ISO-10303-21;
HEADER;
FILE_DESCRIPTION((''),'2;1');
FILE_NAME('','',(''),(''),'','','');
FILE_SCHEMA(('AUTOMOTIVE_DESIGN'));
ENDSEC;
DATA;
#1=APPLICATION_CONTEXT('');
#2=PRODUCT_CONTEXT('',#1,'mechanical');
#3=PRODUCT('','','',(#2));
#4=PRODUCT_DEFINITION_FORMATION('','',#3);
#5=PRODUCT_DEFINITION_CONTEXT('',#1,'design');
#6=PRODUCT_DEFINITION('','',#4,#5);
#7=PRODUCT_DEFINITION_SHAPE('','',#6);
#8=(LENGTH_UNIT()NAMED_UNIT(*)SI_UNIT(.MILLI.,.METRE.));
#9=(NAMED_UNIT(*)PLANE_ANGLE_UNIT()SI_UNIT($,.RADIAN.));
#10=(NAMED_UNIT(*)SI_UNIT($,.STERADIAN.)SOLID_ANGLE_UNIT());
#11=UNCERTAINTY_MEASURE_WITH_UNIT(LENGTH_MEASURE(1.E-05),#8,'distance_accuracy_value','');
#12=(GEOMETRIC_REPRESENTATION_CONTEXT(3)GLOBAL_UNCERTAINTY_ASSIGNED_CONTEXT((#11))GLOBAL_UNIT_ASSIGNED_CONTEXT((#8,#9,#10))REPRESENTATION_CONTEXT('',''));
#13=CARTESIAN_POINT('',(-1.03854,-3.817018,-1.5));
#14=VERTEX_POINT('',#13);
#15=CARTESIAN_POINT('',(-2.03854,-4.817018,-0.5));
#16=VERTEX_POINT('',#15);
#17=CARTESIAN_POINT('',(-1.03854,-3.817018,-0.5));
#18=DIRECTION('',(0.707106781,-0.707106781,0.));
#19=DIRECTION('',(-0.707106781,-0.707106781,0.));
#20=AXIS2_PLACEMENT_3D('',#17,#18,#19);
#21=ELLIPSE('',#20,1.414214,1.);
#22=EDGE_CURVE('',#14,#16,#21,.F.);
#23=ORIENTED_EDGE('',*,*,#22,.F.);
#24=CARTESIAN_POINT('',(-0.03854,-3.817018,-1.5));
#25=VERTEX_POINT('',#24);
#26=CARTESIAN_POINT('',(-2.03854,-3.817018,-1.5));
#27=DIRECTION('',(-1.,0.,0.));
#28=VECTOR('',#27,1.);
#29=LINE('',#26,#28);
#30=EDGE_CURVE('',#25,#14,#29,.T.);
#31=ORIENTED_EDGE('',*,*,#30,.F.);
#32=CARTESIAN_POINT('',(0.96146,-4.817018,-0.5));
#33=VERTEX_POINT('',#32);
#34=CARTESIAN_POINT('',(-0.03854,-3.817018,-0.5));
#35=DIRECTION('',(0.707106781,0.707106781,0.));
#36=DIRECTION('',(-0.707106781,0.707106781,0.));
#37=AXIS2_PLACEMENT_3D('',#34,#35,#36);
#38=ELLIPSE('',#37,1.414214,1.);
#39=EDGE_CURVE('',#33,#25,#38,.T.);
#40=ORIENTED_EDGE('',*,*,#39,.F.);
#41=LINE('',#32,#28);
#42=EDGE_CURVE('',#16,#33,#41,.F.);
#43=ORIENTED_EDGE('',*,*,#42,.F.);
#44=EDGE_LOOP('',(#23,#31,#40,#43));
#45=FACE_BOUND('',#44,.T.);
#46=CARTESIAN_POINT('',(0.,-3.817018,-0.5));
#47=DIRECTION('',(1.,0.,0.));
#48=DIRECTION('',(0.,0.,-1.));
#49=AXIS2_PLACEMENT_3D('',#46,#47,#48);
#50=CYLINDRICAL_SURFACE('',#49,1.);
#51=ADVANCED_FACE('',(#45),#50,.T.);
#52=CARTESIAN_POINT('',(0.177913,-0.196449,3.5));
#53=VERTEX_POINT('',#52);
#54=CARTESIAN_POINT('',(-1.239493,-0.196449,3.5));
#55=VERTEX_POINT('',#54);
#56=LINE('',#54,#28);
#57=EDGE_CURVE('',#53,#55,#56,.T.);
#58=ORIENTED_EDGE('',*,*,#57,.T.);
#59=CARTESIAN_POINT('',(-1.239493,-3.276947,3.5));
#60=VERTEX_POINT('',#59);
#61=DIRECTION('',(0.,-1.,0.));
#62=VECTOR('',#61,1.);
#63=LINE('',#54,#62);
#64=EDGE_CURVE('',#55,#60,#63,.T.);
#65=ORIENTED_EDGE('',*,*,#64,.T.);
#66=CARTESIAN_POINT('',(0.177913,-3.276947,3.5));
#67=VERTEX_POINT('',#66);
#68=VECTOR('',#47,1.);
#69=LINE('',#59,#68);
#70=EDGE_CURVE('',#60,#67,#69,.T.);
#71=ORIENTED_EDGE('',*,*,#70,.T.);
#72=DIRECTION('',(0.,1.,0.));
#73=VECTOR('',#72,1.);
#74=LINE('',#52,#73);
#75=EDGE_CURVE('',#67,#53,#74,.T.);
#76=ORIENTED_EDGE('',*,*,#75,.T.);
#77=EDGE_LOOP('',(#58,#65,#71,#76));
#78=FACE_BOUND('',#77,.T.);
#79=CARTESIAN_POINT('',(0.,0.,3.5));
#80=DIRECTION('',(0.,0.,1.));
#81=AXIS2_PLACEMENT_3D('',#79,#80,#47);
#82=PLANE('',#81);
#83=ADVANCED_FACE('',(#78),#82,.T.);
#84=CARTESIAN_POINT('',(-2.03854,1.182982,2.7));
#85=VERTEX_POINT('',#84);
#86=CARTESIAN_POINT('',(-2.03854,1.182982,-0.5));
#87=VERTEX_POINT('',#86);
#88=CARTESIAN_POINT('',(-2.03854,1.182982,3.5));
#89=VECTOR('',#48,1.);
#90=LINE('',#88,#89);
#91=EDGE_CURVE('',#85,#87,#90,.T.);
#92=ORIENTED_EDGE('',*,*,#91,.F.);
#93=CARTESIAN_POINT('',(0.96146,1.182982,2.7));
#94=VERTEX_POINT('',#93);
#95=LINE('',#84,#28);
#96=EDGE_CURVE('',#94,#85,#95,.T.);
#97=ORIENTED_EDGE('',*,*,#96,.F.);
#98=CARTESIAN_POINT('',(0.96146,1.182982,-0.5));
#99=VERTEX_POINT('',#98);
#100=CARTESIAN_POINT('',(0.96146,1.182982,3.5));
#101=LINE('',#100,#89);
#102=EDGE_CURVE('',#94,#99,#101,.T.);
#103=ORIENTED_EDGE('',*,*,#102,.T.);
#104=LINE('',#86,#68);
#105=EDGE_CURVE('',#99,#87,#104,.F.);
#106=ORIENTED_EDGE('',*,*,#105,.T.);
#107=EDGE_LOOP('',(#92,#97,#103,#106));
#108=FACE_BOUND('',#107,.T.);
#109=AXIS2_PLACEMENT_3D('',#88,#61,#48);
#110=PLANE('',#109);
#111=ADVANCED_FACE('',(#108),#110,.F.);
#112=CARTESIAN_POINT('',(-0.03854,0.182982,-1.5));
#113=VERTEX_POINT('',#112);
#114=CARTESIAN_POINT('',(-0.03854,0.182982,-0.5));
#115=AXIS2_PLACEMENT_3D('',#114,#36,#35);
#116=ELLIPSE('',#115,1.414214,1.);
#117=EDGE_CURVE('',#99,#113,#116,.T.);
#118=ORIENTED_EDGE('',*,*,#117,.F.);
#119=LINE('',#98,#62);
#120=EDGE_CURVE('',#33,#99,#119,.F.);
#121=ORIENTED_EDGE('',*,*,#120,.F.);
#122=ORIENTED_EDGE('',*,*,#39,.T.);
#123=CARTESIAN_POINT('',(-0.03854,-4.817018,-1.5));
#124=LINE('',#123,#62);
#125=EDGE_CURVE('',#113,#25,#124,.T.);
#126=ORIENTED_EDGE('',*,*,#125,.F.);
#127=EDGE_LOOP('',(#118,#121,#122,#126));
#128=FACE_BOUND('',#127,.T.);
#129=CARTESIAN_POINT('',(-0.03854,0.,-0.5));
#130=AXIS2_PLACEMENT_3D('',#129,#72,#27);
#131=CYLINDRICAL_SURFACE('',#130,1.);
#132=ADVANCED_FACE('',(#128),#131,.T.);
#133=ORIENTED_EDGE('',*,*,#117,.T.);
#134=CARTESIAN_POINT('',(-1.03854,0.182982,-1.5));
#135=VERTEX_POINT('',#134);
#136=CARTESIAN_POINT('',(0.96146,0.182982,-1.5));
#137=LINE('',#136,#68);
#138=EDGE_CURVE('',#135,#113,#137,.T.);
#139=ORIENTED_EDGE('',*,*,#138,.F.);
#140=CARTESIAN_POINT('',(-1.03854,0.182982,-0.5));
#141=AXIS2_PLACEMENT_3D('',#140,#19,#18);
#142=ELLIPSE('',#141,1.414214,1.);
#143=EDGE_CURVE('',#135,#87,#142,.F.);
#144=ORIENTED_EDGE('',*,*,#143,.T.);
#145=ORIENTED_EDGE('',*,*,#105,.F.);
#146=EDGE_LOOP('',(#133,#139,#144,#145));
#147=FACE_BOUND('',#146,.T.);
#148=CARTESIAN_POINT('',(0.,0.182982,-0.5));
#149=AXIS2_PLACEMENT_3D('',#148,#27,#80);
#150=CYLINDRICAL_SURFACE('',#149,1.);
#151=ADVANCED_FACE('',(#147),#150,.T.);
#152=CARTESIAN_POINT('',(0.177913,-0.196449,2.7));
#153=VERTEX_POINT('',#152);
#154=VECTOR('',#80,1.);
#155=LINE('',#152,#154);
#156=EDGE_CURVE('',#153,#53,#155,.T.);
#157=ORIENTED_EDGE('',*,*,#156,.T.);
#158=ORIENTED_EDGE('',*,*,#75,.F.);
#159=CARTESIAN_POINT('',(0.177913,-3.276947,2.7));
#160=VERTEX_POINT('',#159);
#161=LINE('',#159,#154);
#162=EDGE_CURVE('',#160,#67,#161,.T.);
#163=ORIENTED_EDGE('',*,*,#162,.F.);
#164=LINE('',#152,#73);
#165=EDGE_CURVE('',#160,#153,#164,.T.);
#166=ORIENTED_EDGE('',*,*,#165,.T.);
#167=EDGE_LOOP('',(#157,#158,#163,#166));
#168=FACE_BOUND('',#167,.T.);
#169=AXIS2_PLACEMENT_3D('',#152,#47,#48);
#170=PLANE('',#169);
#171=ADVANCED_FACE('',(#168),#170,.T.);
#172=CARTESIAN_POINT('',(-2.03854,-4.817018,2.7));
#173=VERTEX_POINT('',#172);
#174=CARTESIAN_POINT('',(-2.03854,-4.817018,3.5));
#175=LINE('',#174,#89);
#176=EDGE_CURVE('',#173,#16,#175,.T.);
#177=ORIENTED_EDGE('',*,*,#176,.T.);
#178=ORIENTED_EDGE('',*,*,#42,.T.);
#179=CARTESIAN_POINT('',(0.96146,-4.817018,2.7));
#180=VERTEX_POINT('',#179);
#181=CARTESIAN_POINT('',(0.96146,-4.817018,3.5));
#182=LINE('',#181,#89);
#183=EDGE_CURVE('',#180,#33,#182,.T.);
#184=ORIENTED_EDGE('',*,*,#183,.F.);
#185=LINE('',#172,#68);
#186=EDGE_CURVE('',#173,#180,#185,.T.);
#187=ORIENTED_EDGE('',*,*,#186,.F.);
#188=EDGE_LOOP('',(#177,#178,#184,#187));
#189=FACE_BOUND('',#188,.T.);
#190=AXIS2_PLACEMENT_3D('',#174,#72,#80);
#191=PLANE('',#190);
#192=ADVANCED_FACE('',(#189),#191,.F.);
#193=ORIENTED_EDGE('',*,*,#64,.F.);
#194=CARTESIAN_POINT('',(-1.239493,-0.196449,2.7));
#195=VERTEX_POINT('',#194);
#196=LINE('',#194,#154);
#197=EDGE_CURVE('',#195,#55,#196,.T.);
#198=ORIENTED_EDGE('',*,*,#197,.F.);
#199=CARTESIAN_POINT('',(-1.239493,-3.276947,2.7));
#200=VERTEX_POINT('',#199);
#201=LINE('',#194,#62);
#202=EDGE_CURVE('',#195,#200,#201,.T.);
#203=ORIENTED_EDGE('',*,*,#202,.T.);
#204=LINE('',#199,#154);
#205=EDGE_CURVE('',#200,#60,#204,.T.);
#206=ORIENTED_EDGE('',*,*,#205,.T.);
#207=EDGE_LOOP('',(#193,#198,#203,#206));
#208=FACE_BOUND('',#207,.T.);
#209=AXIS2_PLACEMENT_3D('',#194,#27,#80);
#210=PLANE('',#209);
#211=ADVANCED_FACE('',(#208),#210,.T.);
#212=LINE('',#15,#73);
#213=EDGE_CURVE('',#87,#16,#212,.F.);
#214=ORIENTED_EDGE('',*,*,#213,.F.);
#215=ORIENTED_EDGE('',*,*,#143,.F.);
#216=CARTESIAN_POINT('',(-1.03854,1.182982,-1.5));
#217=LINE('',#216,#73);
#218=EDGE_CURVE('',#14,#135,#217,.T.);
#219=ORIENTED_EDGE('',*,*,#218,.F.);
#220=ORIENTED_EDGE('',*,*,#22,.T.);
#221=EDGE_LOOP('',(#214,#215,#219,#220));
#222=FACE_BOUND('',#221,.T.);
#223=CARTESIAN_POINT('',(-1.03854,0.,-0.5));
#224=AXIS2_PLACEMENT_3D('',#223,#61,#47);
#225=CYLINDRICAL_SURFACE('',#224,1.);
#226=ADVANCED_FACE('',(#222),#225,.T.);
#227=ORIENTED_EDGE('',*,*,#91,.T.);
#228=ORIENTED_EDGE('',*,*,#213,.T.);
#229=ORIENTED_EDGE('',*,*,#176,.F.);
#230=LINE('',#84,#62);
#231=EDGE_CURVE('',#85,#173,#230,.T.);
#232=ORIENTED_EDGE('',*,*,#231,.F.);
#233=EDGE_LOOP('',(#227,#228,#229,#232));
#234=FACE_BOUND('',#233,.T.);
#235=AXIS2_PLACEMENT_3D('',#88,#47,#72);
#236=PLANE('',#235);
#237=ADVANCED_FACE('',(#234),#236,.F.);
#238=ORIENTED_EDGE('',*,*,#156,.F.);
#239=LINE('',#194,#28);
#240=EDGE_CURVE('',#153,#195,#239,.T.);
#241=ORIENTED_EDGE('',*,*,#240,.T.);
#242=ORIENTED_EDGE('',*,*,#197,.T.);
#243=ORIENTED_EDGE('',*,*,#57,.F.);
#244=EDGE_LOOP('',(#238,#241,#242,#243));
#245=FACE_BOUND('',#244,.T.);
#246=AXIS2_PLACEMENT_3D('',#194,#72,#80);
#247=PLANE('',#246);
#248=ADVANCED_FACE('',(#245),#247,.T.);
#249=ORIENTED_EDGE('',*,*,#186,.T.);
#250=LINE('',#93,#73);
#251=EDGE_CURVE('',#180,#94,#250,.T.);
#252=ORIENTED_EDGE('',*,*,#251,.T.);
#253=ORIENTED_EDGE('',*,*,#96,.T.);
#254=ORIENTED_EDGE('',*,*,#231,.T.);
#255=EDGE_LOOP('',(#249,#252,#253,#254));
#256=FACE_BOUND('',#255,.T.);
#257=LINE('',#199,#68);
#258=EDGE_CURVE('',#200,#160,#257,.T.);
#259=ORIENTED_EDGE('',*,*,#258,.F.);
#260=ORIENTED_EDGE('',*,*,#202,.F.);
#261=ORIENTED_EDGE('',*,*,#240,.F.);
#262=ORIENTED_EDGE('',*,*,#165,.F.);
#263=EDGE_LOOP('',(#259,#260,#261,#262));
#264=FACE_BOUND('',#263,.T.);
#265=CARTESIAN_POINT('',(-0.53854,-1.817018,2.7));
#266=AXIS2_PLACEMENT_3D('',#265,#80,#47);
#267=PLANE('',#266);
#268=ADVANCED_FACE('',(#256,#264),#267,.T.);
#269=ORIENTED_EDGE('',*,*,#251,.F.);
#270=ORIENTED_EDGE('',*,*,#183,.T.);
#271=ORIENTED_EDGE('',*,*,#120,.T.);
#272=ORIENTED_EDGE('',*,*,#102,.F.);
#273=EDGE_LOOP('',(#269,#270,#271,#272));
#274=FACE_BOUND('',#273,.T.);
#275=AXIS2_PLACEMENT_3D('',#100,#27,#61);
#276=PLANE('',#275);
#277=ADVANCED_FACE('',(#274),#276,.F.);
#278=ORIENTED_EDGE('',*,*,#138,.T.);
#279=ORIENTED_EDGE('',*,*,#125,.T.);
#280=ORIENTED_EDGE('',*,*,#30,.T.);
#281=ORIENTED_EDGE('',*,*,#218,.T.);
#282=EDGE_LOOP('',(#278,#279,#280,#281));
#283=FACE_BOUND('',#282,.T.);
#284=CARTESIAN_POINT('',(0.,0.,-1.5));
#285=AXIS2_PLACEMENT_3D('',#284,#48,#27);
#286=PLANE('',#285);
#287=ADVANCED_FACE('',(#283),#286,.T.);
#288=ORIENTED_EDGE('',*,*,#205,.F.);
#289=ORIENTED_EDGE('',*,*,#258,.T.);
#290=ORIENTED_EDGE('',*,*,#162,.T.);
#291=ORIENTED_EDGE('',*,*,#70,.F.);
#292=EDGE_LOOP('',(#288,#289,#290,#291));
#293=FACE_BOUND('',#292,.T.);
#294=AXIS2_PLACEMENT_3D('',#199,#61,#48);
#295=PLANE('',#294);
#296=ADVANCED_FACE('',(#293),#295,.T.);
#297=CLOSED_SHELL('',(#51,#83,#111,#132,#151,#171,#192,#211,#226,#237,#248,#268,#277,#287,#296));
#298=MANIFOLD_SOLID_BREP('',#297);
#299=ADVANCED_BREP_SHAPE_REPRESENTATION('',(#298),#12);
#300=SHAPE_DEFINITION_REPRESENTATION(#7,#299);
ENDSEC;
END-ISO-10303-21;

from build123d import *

# Parameters (mm, degrees)
SKETCH_3_W           = 3
SKETCH_3_H           = 6
EXTRUDE_2_DEPTH      = 3.5
SKETCH_4_OUTSIDE_W   = 6.514
SKETCH_4_OUTSIDE_H   = 9.514
SKETCH_4_OUTSIDE_W_2 = 1.417406922
SKETCH_4_OUTSIDE_H_2 = 3.080497711
CUT_EXTRUDE_1_DEPTH  = 0.8
SKETCH_9_W           = 3
SKETCH_9_H           = 6
EXTRUDE_5_DEPTH      = 1.5
FILLET_2_R           = 1


with BuildPart() as part:
    # 草图3 → 凸台-拉伸2 (new body)
    with BuildSketch(Plane.XY):
        with Locations((-0.538539978, -1.817017803)):
            Rectangle(SKETCH_3_W, SKETCH_3_H)
    extrude(amount=EXTRUDE_2_DEPTH)

    # 草图4 outside → 切除-拉伸1 (cut)
    with BuildSketch(Plane.XY.offset(3.5)):
        with Locations((-0.539, -1.817)):
            Rectangle(SKETCH_4_OUTSIDE_W, SKETCH_4_OUTSIDE_H)
        with Locations((-0.530790021, -1.736698078)):
            Rectangle(SKETCH_4_OUTSIDE_W_2, SKETCH_4_OUTSIDE_H_2, mode=Mode.SUBTRACT)
    extrude(amount=-CUT_EXTRUDE_1_DEPTH, mode=Mode.SUBTRACT)

    # 草图9 → 凸台-拉伸5 (add)
    with BuildSketch(Plane(origin=(0, 0, 0), x_dir=(-1, 0, 0), z_dir=(0, 0, -1))):
        with Locations((0.538539978, -1.817017803)):
            Rectangle(SKETCH_9_W, SKETCH_9_H)
    extrude(amount=EXTRUDE_5_DEPTH)

    # 圆角2
    fillet_2_edges = [part.edges().sort_by_distance(p)[0] for p in [
        (0.961460022, -1.817017803, -1.5),
        (-0.538539978, -4.817017803, -1.5),
        (-2.038539978, -1.817017803, -1.5),
        (-0.538539978, 1.182982197, -1.5),
    ]]
    fillet(fillet_2_edges, radius=FILLET_2_R)


solid = part.part
